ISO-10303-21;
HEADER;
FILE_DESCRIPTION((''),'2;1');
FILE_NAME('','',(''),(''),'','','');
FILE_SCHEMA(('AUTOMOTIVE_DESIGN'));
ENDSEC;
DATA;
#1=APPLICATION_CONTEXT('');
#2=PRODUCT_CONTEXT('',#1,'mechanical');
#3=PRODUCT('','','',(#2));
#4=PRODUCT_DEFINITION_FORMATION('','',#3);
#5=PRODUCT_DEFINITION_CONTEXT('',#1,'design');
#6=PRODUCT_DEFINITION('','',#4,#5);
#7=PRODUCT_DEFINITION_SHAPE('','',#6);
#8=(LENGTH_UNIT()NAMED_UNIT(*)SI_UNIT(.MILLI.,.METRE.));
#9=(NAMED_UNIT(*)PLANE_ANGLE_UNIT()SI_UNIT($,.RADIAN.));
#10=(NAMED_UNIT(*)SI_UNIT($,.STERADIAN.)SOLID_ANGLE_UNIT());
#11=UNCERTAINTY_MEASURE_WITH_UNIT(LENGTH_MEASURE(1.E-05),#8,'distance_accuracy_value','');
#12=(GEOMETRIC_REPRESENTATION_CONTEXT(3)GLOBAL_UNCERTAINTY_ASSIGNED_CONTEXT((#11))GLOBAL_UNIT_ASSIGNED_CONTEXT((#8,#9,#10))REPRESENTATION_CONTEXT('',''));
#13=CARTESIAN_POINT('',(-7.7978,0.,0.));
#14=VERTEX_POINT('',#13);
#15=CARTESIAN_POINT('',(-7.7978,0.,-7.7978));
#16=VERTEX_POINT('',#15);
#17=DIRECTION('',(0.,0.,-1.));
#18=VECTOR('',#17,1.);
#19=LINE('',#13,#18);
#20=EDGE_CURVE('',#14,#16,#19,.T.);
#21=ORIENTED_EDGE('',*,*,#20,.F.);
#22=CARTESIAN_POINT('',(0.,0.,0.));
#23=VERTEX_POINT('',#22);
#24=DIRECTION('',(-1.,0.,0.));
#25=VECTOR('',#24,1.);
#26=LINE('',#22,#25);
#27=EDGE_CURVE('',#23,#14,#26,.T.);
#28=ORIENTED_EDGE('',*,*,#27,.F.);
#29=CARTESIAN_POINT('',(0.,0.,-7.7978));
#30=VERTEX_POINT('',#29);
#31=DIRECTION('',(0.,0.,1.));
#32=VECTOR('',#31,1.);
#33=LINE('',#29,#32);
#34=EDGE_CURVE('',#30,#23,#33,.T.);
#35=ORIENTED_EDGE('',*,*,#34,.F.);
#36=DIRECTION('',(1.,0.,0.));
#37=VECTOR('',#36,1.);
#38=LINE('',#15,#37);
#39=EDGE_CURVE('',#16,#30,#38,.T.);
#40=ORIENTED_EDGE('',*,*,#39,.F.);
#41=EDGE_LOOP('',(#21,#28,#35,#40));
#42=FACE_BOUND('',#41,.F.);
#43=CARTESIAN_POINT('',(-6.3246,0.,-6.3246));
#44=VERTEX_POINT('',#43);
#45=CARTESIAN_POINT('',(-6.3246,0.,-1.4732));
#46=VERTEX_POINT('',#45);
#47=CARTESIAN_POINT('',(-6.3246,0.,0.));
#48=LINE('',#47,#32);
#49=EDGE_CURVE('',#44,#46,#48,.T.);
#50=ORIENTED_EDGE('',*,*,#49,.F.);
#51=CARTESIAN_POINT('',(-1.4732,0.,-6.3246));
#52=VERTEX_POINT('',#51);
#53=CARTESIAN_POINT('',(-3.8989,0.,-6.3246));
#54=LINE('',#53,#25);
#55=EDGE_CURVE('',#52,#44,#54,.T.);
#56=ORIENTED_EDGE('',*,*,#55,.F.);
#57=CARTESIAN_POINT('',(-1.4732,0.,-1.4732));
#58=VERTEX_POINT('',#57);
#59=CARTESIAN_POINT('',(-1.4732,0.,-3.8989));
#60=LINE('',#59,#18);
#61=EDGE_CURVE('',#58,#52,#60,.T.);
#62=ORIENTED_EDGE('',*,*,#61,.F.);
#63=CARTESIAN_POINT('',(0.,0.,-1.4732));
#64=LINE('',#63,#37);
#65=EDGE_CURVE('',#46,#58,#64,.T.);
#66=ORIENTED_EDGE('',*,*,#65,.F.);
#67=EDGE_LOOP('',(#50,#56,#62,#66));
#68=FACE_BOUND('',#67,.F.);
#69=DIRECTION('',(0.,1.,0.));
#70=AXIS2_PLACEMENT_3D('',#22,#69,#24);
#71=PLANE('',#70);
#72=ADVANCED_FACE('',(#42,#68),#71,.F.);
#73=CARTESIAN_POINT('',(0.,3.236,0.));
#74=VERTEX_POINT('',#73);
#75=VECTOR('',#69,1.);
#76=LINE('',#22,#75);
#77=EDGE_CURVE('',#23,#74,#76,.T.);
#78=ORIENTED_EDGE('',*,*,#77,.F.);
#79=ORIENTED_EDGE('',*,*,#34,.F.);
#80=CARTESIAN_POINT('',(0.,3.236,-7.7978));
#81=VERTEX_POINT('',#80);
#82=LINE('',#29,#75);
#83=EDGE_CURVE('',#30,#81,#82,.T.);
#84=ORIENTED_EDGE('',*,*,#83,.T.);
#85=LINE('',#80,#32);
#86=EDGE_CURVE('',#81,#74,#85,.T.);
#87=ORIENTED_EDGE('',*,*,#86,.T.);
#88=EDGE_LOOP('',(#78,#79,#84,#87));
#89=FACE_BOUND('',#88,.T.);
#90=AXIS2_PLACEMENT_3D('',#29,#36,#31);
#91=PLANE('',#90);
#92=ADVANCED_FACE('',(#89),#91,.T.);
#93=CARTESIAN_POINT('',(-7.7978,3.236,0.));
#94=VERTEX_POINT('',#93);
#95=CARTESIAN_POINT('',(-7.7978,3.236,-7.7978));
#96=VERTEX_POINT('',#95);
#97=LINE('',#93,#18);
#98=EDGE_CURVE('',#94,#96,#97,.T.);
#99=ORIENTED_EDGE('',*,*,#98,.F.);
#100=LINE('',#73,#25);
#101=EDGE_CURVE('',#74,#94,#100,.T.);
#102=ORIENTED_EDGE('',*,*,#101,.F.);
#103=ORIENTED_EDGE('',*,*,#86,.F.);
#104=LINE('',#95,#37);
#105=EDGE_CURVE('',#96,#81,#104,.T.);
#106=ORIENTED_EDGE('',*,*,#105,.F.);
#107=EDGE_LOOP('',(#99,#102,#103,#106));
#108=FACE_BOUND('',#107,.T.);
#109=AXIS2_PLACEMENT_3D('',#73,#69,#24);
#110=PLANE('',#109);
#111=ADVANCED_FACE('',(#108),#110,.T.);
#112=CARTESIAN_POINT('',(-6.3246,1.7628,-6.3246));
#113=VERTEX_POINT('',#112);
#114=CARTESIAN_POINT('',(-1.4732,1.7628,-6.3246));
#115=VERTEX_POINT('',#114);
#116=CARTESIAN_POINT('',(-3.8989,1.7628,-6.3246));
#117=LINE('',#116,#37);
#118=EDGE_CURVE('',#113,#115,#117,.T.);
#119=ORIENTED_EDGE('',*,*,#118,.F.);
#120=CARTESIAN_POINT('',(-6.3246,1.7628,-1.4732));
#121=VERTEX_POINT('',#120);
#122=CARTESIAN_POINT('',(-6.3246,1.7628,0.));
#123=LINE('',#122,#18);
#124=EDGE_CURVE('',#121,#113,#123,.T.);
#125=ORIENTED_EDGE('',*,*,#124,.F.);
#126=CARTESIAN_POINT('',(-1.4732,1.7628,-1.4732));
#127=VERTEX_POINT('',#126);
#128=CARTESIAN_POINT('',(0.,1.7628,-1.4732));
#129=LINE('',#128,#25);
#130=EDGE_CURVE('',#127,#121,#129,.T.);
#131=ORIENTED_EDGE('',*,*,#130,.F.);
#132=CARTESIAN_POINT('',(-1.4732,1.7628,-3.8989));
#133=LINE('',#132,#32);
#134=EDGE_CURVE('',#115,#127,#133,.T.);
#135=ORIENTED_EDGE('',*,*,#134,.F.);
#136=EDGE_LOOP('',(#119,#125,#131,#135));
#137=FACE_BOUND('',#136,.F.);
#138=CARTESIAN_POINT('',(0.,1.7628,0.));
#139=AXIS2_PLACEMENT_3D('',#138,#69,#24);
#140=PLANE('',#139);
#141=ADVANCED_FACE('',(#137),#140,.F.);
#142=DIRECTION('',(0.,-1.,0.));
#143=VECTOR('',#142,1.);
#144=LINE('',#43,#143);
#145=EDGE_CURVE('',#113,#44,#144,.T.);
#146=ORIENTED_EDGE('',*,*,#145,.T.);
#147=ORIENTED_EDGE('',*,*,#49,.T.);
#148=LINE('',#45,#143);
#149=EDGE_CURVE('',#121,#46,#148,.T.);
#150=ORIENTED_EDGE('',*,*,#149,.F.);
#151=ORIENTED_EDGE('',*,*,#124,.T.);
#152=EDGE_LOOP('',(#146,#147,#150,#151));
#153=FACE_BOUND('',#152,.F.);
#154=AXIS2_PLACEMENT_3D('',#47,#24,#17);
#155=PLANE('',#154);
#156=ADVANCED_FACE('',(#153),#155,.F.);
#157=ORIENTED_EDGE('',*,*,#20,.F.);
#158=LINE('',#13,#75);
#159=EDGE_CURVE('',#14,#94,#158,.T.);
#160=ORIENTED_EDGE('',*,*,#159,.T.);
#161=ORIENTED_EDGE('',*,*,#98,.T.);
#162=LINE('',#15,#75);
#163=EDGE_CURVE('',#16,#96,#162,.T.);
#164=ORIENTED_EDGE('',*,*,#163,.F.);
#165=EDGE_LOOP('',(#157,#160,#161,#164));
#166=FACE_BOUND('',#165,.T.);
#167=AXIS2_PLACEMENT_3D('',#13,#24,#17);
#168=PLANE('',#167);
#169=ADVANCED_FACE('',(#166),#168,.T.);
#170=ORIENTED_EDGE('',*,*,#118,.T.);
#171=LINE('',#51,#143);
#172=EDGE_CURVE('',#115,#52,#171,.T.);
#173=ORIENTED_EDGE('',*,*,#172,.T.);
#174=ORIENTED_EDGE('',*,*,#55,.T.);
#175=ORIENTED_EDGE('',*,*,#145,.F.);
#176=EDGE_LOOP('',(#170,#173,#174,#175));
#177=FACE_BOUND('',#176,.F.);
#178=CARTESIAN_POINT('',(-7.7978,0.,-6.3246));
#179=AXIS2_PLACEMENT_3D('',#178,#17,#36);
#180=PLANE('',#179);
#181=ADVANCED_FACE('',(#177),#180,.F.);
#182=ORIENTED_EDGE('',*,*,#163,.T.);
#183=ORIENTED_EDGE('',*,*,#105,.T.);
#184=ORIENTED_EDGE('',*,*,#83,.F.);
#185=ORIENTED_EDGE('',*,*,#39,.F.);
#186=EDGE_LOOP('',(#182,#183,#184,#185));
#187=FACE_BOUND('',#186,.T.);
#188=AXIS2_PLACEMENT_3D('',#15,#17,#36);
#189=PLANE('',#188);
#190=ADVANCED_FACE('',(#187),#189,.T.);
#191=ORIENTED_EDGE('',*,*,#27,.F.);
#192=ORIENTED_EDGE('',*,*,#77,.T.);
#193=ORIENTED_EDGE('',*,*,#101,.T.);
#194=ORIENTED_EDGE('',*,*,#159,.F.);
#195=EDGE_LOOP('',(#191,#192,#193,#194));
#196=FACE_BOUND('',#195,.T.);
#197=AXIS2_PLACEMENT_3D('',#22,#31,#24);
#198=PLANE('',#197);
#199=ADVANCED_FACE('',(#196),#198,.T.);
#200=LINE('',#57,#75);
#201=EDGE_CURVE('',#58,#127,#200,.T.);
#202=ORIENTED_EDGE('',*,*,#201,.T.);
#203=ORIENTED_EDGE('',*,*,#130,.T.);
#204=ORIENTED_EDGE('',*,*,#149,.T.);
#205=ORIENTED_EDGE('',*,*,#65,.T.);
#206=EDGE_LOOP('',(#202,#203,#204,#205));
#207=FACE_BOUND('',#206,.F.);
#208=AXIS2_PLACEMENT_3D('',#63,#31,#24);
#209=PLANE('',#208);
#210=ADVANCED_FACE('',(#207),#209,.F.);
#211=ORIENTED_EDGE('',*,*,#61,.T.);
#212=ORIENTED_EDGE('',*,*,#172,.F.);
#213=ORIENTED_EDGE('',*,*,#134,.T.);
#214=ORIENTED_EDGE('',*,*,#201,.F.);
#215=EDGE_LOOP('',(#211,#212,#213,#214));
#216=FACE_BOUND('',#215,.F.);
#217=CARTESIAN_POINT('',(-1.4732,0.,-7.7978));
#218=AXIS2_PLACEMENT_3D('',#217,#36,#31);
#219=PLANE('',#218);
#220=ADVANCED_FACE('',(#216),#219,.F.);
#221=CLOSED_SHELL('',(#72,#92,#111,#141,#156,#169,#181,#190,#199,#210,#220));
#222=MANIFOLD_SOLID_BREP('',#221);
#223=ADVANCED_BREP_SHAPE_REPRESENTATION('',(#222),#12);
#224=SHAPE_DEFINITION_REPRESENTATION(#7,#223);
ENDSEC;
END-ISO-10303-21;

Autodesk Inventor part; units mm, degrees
ref_plane "YZ Plane" through (0, 0, 0) normal (1, 0, 0) x (0, 1, 0)
ref_plane "XZ Plane" through (0, 0, 0) normal (0, 1, 0) x (-1, 0, 0)
ref_plane "XY Plane" through (0, 0, 0) normal (0, 0, 1) x (1, 0, 0)
sketch "Sketch1" plane through (0, 0, 0) normal (0, 1, 0) x (-1, 0, 0)
  line L0 (0, 0) -> (7.7978, 0)
  line L1 (7.7978, 0) -> (7.7978, -7.7978)
  line L2 (7.7978, -7.7978) -> (0, -7.7978)
  line L3 (0, -7.7978) -> (0, 0)
  dimension "d0" = 7.7978
  dimension "d1" = 7.7978
extrude "Extrusion1" add sketch "Sketch1" along normal blind 3.236
shell "Shell1" thickness 1.4732 removed faces 1 at (-2.5993, 0, -2.5993)
properties part number "1x1 short black smooth" material "ABS Plastic"
